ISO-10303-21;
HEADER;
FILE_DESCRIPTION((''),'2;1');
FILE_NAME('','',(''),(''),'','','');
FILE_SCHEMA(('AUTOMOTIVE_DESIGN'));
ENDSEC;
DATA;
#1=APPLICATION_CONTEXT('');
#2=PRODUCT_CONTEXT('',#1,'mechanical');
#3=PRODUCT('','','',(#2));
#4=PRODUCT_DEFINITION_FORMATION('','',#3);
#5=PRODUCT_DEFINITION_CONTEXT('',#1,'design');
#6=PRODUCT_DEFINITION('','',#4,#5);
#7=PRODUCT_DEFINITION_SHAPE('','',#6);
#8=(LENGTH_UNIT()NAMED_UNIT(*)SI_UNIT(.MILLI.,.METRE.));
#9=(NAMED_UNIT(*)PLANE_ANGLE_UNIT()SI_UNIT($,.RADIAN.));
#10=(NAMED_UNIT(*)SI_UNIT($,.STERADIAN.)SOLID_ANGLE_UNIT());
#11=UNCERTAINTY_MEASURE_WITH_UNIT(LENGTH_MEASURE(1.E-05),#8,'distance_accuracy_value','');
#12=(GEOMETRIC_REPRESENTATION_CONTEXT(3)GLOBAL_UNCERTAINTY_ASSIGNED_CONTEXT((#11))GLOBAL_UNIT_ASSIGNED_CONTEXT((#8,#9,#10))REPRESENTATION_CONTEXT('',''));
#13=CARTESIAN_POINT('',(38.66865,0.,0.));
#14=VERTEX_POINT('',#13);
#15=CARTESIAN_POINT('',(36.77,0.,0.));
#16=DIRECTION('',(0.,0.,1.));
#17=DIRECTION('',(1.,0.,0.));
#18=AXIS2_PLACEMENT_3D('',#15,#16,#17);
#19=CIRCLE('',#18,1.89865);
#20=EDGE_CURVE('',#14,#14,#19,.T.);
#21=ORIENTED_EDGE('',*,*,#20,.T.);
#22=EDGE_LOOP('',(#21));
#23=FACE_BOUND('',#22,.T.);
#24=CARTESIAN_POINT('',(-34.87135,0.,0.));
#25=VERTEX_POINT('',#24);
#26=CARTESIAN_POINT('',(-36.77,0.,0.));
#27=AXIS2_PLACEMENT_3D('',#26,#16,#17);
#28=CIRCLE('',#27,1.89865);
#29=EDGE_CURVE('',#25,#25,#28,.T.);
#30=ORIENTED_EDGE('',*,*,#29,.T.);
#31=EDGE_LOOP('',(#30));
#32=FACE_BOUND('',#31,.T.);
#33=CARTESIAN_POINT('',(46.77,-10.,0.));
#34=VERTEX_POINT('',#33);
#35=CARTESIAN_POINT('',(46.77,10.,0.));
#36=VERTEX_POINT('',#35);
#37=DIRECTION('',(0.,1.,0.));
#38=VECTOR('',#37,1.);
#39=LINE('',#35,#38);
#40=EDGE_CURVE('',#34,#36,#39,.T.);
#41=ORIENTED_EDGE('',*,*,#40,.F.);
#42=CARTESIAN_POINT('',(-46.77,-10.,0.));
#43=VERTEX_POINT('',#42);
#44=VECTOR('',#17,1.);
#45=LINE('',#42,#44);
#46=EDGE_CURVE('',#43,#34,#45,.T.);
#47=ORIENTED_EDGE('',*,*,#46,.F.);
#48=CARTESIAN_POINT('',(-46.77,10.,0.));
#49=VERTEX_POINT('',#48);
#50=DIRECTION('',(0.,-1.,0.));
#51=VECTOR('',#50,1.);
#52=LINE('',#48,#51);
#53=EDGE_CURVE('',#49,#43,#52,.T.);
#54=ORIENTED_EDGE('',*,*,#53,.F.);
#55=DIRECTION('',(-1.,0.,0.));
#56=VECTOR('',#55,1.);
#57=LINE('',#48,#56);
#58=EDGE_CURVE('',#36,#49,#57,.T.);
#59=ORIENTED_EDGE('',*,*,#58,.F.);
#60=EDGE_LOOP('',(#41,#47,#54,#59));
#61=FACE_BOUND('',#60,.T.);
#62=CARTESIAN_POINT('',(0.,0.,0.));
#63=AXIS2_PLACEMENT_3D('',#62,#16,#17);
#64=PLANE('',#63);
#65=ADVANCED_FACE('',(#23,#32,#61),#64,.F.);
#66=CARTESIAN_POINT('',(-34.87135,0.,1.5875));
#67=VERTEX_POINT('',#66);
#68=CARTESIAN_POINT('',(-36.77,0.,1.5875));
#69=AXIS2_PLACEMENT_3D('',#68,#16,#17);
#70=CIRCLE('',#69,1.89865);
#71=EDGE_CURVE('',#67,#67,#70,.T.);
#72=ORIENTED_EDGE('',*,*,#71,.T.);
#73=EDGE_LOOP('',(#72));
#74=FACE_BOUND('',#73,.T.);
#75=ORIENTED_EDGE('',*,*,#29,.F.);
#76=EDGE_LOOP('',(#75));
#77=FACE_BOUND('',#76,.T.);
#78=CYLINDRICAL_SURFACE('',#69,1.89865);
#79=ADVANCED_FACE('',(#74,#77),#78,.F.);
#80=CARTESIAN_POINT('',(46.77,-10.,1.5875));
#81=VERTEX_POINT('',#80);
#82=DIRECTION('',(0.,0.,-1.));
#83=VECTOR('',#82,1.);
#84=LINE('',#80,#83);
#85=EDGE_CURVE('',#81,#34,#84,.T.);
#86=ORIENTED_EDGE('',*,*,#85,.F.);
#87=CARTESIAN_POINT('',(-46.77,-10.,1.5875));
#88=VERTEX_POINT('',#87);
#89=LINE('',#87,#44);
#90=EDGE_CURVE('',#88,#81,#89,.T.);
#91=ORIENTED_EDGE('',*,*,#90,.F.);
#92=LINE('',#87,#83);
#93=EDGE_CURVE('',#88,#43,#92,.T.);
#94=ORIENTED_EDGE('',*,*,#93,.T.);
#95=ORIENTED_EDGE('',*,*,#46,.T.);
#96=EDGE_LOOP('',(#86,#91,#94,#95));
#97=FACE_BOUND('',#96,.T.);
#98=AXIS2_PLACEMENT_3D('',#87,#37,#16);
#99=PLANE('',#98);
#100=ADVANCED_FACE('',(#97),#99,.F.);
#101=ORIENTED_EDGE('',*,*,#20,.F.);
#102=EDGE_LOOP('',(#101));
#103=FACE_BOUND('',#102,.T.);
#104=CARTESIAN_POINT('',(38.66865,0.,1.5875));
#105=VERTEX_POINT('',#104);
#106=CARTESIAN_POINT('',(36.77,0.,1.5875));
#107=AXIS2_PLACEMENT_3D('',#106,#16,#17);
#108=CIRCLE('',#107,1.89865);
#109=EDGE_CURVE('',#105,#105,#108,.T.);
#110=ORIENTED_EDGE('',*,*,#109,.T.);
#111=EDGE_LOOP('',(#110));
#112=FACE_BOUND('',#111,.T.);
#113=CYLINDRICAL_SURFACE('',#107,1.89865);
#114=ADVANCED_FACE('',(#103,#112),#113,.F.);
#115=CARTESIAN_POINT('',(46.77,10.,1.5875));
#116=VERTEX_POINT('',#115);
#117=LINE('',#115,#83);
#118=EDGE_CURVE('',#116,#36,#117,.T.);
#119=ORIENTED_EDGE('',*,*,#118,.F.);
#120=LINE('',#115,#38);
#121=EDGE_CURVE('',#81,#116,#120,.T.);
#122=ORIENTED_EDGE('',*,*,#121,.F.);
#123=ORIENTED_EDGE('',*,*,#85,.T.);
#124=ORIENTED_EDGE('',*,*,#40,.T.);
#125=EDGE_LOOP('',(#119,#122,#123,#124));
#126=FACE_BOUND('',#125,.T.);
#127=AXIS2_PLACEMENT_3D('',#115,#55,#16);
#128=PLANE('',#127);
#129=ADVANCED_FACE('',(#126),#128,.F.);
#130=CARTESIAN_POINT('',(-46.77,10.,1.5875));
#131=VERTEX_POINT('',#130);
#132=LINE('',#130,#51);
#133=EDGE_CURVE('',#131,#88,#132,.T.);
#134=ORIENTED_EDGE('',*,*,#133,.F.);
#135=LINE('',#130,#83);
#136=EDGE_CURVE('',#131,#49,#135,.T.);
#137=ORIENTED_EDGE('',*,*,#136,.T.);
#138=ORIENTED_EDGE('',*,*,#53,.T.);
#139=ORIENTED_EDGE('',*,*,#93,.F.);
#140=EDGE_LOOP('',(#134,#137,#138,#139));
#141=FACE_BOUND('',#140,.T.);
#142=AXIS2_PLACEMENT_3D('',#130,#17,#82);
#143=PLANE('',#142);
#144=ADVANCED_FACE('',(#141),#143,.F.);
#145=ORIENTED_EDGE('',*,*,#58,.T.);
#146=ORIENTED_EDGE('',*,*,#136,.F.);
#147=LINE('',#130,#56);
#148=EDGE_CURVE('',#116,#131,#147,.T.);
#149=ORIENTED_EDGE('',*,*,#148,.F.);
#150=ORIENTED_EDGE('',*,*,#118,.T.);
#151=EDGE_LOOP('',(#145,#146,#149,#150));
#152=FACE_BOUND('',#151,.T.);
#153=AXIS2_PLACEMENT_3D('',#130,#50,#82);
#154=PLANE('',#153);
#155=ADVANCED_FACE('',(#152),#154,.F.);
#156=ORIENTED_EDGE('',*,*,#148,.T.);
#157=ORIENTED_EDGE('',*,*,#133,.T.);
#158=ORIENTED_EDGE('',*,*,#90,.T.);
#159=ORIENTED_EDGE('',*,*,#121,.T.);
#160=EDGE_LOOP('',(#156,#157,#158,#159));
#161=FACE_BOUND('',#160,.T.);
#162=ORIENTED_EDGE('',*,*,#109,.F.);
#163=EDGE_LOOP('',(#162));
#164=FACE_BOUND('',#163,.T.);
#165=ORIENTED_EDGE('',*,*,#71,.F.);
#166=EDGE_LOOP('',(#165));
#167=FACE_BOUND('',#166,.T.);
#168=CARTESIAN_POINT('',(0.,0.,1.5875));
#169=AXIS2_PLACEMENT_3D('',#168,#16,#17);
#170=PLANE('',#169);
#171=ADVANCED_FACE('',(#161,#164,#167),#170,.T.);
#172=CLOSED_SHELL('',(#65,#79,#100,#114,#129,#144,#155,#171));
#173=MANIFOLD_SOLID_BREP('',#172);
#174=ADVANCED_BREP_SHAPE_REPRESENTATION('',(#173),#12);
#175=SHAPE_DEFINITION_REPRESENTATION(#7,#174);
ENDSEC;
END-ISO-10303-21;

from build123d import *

# Parameters (mm, degrees)
SKETCH1_W             = 93.54
SKETCH1_H             = 20
BOSS_EXTRUDE1_DEPTH   = 1.5875
F_6_CLEARANCE_HOLE1_D = 3.7973


with BuildPart() as part:
    # Sketch1 → Boss-Extrude1 (new body)
    with BuildSketch(Plane.XY):
        Rectangle(SKETCH1_W, SKETCH1_H)
    extrude(amount=BOSS_EXTRUDE1_DEPTH)

    # #6 Clearance Hole1 (through all)
    with Locations(Plane.XY.offset(1.5875)):
        with Locations((-36.77, 0), (36.77, 0)):
            Hole(F_6_CLEARANCE_HOLE1_D / 2)


solid = part.part
